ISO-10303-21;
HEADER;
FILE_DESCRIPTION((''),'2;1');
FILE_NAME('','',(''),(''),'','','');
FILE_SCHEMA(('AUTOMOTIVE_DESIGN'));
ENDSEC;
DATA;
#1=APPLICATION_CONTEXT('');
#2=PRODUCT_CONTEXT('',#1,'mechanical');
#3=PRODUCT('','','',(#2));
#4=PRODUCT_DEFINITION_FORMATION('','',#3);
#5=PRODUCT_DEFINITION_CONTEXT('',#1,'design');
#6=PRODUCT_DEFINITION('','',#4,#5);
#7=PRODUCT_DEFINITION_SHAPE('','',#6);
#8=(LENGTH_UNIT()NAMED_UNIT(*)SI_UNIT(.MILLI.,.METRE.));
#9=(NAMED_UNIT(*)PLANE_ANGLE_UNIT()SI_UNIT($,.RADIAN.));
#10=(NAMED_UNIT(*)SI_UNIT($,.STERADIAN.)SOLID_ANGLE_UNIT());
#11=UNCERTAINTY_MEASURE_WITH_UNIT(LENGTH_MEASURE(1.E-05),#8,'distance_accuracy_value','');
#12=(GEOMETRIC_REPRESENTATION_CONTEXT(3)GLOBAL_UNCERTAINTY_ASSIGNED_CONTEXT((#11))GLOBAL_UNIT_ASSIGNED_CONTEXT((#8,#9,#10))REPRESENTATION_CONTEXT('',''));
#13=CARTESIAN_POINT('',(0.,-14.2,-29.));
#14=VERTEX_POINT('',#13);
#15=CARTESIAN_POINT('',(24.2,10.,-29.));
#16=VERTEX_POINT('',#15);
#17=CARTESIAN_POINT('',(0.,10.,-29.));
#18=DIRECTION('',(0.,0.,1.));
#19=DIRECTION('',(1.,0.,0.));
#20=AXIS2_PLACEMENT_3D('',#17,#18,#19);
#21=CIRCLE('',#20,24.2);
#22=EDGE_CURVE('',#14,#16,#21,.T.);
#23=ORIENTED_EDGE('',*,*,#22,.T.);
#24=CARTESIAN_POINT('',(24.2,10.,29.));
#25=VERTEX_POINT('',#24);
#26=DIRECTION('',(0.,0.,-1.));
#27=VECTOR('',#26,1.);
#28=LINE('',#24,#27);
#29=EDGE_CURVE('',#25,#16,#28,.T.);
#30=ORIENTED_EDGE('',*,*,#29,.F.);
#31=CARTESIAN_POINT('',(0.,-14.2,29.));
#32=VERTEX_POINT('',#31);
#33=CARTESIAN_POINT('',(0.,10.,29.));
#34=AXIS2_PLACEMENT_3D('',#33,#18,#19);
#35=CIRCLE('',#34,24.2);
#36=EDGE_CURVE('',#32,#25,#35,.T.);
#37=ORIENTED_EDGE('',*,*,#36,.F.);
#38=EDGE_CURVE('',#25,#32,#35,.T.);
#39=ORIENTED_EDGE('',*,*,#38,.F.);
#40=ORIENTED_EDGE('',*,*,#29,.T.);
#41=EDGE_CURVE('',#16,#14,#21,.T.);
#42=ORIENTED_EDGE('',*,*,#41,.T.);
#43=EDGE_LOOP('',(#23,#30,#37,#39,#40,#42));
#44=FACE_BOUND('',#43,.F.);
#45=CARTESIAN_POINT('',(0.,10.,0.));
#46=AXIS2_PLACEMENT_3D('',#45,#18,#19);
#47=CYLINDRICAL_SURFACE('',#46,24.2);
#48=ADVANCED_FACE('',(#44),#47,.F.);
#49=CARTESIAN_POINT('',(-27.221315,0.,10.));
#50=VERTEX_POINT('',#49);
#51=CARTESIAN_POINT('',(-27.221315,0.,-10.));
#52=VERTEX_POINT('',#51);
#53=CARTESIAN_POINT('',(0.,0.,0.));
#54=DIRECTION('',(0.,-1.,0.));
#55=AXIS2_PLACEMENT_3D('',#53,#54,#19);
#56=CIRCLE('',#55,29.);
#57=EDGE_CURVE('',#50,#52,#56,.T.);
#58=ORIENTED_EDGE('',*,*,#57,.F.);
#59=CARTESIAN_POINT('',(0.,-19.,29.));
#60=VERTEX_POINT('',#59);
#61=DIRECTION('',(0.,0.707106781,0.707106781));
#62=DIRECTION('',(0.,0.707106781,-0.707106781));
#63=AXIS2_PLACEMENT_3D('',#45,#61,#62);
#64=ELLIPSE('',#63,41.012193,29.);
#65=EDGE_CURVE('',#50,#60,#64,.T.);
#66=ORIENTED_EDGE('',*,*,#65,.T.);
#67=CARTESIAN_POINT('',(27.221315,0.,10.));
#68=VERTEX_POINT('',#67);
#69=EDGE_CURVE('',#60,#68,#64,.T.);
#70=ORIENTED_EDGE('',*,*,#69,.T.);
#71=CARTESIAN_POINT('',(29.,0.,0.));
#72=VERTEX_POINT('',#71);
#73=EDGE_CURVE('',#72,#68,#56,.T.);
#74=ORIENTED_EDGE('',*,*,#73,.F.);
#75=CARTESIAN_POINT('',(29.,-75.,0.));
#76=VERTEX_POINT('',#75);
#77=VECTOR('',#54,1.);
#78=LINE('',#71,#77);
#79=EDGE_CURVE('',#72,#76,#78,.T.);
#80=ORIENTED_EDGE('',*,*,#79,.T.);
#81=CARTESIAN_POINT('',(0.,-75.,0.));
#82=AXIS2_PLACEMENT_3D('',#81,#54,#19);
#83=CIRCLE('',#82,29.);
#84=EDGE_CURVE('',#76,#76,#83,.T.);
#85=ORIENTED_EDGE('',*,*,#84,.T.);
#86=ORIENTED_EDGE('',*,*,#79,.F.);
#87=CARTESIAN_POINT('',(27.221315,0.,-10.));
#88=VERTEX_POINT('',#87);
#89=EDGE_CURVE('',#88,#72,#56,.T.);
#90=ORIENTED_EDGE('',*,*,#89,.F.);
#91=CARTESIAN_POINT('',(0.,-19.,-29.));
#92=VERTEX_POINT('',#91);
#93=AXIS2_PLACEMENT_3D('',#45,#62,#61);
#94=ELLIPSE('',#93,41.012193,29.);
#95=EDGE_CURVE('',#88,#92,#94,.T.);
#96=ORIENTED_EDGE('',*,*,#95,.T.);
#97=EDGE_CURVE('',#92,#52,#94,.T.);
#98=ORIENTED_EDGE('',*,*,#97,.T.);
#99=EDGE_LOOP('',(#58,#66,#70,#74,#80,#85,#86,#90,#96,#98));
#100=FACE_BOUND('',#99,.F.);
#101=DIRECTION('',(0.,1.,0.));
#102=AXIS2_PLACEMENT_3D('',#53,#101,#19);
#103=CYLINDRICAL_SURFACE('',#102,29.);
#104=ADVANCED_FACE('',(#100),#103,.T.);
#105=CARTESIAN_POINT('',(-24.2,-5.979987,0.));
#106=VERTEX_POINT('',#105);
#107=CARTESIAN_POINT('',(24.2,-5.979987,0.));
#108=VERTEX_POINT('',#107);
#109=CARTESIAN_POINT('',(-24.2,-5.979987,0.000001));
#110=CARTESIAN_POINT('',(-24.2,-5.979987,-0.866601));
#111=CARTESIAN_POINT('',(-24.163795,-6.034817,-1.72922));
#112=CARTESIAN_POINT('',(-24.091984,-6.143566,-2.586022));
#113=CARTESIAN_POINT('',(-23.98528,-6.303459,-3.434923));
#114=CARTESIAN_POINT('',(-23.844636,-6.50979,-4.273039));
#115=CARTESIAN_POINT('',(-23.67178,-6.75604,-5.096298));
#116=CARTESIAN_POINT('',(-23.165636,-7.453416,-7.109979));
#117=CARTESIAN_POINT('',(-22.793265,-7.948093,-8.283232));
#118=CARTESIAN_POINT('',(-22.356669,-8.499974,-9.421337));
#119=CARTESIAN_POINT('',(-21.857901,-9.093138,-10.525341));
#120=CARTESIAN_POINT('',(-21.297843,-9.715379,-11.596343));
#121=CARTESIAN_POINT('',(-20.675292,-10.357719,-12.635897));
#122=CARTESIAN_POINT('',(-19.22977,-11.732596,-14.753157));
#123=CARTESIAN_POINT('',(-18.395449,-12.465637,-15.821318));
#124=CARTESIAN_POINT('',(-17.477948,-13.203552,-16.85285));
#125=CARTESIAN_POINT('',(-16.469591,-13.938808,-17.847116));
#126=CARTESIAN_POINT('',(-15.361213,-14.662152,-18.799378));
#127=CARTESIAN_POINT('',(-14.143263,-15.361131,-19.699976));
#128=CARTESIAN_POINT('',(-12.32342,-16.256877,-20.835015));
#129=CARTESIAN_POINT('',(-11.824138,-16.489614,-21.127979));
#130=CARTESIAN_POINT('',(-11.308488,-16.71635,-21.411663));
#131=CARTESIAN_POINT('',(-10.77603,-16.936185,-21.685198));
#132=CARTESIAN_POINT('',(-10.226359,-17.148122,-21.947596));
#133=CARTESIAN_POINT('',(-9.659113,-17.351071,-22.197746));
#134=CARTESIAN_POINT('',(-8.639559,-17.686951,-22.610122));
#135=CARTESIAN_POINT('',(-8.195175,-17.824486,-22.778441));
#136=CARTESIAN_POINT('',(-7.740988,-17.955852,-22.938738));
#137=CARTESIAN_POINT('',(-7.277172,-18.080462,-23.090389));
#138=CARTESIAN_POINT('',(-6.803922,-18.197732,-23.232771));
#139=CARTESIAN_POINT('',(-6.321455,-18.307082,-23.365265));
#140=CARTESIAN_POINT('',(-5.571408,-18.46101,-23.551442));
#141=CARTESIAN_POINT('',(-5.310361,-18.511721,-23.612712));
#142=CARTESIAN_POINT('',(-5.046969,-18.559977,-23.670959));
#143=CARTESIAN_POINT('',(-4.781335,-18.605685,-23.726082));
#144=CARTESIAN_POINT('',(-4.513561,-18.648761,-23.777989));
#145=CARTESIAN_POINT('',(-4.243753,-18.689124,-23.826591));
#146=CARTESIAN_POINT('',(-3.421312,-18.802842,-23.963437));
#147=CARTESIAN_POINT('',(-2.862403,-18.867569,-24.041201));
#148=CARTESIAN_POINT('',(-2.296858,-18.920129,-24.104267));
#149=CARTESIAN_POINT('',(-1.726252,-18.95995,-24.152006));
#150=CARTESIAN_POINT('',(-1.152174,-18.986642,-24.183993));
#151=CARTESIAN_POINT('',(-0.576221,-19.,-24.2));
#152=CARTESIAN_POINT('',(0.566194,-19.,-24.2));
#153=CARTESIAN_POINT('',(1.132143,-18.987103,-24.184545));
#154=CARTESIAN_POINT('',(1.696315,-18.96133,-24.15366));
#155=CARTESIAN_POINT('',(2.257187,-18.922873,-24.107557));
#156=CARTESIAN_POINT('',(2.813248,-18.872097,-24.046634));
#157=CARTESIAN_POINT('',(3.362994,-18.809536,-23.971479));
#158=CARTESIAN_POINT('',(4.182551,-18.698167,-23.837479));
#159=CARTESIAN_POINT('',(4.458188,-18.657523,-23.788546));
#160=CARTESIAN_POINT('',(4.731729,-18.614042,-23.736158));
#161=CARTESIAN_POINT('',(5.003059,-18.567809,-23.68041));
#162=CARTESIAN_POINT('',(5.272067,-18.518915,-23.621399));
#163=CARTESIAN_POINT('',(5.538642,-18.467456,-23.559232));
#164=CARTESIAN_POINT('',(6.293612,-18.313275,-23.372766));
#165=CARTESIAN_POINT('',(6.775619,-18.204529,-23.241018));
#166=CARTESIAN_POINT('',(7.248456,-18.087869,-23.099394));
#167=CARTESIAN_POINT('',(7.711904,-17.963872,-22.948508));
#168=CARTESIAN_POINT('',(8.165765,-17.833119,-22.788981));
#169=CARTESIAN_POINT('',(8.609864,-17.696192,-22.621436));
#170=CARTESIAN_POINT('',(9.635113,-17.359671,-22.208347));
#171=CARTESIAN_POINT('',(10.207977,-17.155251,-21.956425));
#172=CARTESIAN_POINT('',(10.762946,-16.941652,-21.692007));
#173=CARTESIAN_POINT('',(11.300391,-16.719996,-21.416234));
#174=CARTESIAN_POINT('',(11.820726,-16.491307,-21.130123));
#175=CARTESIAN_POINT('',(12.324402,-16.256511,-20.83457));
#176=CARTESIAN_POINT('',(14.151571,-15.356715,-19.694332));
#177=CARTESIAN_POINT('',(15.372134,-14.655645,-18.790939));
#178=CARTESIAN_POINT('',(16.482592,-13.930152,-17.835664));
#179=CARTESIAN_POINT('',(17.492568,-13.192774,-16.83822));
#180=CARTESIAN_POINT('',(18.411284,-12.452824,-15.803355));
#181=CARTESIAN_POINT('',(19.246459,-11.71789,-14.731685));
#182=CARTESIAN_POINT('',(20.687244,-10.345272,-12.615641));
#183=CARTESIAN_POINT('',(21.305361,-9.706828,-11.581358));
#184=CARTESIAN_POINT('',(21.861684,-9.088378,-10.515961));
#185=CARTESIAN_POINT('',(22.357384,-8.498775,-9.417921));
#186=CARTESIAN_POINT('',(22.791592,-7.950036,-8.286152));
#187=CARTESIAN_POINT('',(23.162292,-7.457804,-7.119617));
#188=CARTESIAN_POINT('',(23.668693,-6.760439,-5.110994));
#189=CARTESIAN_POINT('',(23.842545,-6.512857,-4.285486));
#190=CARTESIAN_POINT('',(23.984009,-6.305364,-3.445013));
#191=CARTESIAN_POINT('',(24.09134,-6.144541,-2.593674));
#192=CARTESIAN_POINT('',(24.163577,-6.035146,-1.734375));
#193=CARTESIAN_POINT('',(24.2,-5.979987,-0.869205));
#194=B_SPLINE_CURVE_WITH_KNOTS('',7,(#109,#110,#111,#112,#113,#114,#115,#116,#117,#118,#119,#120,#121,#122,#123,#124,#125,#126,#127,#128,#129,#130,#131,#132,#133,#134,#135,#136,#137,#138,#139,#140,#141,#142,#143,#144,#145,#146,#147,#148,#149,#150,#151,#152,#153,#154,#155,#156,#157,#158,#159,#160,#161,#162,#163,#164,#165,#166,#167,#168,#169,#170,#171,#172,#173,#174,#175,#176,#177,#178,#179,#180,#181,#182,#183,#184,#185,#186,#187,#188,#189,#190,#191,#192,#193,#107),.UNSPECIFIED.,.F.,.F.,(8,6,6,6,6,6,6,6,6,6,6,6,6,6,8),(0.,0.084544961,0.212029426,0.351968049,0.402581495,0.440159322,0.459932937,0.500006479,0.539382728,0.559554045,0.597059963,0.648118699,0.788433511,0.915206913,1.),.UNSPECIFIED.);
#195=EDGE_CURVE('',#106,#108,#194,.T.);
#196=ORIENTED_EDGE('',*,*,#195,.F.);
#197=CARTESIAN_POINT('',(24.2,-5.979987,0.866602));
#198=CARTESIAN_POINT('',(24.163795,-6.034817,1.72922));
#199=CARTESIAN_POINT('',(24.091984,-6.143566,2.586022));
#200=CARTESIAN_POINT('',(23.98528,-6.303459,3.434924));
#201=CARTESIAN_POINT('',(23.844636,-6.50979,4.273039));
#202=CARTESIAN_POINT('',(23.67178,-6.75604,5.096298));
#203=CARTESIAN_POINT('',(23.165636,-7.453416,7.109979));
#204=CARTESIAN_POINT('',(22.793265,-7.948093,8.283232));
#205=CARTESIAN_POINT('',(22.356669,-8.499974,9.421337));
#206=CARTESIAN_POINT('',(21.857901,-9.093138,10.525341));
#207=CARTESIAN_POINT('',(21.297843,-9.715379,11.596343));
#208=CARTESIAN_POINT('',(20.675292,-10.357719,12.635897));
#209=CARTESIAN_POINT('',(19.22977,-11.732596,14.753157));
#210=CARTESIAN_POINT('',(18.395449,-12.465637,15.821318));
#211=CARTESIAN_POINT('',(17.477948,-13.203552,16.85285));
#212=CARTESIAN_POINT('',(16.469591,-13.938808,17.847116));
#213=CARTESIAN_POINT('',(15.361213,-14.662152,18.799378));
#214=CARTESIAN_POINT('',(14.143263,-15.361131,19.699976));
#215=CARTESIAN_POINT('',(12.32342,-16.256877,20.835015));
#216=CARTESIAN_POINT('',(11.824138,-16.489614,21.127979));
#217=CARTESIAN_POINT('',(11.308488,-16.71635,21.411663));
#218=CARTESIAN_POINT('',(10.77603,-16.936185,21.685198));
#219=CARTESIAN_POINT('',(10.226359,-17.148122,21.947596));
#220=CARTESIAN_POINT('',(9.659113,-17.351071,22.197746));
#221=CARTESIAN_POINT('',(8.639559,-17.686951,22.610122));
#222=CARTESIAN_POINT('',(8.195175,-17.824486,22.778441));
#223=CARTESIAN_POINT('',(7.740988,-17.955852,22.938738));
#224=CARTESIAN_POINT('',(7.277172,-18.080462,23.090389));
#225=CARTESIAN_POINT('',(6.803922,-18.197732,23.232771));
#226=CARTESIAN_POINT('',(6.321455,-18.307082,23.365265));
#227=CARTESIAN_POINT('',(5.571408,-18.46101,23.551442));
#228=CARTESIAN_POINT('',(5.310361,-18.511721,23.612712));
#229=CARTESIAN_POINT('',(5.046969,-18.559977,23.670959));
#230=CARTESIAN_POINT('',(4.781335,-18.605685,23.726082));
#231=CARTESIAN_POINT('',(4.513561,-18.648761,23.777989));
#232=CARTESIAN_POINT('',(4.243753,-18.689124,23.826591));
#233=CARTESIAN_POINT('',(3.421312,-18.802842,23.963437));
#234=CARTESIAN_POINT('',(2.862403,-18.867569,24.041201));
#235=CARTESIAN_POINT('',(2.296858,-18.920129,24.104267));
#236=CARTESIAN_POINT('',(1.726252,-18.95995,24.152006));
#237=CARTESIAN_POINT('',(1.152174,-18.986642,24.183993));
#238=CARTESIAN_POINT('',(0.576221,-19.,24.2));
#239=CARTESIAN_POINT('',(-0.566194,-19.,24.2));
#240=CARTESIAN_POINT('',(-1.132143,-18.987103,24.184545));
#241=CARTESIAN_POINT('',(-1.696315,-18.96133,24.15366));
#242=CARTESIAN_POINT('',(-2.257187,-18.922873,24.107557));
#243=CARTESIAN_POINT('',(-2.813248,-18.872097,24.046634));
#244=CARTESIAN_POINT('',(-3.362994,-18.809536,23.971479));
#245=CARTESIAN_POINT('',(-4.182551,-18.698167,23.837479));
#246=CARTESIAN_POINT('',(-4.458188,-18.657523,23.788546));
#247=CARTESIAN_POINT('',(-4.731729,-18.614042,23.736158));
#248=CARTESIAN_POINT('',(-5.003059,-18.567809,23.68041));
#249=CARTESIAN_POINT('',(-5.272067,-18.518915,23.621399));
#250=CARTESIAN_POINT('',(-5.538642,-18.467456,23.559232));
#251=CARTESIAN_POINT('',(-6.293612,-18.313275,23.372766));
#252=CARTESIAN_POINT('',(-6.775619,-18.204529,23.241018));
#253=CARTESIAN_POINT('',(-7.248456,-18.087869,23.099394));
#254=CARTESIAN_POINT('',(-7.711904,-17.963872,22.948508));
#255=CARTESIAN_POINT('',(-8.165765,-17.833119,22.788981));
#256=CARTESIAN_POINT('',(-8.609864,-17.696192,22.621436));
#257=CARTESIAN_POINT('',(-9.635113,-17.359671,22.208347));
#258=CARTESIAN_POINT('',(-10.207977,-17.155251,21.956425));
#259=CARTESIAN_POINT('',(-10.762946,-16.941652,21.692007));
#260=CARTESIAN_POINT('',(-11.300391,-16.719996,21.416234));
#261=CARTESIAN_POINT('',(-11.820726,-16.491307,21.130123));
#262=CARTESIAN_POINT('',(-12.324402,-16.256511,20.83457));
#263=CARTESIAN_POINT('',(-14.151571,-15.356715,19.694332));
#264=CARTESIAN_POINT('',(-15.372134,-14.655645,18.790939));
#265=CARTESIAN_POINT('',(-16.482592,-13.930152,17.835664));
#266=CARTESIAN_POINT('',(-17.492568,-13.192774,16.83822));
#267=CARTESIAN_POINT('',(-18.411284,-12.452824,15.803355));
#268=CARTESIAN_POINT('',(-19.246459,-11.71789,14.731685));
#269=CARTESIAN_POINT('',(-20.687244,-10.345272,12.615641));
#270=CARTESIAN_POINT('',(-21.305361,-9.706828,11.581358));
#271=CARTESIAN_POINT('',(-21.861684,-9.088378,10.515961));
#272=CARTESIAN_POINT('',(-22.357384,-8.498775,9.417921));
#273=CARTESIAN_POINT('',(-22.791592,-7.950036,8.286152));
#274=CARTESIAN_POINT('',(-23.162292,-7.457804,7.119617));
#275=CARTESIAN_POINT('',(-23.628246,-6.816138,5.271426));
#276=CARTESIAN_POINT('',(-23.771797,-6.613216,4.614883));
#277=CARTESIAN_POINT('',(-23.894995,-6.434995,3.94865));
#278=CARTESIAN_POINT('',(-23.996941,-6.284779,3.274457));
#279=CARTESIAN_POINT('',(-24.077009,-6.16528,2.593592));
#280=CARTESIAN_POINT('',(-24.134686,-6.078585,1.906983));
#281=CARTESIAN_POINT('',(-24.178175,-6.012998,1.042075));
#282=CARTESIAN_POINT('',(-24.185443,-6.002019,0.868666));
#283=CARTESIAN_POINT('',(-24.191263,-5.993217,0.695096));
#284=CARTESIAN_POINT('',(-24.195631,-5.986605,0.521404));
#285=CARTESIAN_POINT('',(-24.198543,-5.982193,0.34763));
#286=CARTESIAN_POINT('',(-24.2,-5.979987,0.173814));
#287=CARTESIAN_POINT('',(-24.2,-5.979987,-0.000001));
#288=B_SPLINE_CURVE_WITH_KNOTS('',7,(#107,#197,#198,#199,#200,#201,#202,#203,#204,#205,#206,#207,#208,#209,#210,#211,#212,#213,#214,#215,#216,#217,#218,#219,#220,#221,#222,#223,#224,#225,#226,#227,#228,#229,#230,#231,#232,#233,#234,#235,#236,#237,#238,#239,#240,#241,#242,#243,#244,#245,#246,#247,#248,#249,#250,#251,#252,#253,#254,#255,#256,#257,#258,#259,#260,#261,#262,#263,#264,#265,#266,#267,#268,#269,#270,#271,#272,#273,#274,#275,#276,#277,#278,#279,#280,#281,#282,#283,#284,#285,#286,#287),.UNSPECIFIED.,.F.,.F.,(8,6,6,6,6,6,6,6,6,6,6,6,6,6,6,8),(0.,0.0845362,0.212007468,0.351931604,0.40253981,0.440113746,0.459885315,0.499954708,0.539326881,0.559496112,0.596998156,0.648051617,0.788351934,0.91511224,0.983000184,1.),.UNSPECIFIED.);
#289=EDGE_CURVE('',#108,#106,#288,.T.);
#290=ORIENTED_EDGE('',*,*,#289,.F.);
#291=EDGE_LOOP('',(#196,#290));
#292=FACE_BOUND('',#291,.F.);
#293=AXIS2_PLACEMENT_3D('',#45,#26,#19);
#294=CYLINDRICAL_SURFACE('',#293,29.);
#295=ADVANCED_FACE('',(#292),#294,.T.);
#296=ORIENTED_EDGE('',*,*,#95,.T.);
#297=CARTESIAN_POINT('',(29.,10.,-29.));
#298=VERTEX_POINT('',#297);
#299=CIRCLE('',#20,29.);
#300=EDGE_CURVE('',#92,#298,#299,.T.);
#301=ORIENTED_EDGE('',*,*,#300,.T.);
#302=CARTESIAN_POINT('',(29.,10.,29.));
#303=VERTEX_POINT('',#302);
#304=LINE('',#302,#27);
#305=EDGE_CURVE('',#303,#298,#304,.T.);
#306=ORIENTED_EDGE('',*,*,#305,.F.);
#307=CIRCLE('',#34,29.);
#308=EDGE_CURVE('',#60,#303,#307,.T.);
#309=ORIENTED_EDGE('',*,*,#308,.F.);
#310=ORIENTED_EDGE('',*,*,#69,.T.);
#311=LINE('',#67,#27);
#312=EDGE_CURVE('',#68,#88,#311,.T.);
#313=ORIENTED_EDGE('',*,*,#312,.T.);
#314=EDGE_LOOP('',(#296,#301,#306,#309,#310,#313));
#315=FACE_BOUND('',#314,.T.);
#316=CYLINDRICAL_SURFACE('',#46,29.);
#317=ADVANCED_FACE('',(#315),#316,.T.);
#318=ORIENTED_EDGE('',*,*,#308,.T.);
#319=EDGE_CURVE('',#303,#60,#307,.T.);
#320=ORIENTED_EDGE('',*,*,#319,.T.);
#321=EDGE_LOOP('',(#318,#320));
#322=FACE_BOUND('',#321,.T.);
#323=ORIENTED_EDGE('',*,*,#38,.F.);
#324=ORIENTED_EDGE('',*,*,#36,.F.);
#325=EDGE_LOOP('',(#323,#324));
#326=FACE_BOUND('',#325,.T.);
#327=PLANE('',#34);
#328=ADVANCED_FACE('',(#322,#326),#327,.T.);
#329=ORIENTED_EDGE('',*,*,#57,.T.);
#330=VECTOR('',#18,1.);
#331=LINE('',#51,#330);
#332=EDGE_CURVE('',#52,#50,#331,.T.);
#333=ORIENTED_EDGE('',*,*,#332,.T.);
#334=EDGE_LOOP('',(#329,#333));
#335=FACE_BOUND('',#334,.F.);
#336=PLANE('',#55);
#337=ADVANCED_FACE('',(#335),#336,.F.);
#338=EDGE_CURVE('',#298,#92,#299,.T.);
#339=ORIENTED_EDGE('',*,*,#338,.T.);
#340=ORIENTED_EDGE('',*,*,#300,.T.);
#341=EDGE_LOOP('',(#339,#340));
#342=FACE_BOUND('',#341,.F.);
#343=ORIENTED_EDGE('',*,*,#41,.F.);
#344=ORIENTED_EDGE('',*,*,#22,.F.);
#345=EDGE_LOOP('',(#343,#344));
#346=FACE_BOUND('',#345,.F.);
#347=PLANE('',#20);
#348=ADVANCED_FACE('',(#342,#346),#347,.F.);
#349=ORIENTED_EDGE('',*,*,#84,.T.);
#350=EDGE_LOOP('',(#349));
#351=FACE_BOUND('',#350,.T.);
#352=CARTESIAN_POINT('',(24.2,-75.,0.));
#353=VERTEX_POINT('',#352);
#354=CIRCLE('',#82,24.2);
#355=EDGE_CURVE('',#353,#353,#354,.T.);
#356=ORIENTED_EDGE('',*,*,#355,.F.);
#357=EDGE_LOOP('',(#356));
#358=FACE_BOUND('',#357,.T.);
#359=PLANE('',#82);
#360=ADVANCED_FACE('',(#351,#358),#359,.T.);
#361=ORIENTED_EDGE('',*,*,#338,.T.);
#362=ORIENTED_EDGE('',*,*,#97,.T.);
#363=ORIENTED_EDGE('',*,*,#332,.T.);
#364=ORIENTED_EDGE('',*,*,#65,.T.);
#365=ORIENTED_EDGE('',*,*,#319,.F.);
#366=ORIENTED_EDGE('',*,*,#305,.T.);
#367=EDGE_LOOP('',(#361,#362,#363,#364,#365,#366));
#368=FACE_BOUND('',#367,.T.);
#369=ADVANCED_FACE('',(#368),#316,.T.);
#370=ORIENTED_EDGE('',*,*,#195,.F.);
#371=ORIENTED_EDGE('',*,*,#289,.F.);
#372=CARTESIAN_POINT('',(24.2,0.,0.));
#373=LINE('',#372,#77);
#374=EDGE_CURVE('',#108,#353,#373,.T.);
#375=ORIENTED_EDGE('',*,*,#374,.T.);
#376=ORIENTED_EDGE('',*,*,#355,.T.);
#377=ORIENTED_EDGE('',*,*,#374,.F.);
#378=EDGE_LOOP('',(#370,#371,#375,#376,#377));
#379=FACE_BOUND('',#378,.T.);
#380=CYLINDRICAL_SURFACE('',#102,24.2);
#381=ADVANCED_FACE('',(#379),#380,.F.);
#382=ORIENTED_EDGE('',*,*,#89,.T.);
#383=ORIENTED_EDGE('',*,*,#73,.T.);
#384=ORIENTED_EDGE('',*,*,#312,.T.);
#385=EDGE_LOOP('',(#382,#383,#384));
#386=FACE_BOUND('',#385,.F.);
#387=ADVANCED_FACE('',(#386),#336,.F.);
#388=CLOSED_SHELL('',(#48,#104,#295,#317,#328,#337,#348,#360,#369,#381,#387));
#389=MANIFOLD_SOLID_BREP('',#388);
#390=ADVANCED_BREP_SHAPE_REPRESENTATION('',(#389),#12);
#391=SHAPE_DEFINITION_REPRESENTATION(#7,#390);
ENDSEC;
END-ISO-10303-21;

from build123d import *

# Parameters (mm, degrees)
F0_R          = 29
F0_R_2        = 24.2
F1_DEPTH      = 75
F2_R          = 29
F2_R_2        = 24.2
F3_DEPTH      = 29
F3_DEPTH_BACK = 29
F4_R          = 24.2
F5_DEPTH      = 58.001


with BuildPart() as f1:
    # F0 (on Front) → F1 (new body)
    with BuildSketch(Plane.XZ):
        Circle(F0_R)
        Circle(F0_R_2, mode=Mode.SUBTRACT)
    extrude(amount=F1_DEPTH)

    # F2 (on Top) → F3 (join, two sides)
    with BuildSketch(Plane.XY) as f3_sk:
        with Locations((0, 10)):
            Circle(F2_R)
        with Locations((0, 10)):
            Circle(F2_R_2, mode=Mode.SUBTRACT)
    extrude(amount=F3_DEPTH)
    extrude(f3_sk.sketch, amount=-F3_DEPTH_BACK)

    # F4 (on face) → F5 (cut, through all)
    with BuildSketch(Plane.XY.offset(29)):
        with Locations((0, 10)):
            Circle(F4_R)
    extrude(amount=-F5_DEPTH, mode=Mode.SUBTRACT)


solid = f1.part
